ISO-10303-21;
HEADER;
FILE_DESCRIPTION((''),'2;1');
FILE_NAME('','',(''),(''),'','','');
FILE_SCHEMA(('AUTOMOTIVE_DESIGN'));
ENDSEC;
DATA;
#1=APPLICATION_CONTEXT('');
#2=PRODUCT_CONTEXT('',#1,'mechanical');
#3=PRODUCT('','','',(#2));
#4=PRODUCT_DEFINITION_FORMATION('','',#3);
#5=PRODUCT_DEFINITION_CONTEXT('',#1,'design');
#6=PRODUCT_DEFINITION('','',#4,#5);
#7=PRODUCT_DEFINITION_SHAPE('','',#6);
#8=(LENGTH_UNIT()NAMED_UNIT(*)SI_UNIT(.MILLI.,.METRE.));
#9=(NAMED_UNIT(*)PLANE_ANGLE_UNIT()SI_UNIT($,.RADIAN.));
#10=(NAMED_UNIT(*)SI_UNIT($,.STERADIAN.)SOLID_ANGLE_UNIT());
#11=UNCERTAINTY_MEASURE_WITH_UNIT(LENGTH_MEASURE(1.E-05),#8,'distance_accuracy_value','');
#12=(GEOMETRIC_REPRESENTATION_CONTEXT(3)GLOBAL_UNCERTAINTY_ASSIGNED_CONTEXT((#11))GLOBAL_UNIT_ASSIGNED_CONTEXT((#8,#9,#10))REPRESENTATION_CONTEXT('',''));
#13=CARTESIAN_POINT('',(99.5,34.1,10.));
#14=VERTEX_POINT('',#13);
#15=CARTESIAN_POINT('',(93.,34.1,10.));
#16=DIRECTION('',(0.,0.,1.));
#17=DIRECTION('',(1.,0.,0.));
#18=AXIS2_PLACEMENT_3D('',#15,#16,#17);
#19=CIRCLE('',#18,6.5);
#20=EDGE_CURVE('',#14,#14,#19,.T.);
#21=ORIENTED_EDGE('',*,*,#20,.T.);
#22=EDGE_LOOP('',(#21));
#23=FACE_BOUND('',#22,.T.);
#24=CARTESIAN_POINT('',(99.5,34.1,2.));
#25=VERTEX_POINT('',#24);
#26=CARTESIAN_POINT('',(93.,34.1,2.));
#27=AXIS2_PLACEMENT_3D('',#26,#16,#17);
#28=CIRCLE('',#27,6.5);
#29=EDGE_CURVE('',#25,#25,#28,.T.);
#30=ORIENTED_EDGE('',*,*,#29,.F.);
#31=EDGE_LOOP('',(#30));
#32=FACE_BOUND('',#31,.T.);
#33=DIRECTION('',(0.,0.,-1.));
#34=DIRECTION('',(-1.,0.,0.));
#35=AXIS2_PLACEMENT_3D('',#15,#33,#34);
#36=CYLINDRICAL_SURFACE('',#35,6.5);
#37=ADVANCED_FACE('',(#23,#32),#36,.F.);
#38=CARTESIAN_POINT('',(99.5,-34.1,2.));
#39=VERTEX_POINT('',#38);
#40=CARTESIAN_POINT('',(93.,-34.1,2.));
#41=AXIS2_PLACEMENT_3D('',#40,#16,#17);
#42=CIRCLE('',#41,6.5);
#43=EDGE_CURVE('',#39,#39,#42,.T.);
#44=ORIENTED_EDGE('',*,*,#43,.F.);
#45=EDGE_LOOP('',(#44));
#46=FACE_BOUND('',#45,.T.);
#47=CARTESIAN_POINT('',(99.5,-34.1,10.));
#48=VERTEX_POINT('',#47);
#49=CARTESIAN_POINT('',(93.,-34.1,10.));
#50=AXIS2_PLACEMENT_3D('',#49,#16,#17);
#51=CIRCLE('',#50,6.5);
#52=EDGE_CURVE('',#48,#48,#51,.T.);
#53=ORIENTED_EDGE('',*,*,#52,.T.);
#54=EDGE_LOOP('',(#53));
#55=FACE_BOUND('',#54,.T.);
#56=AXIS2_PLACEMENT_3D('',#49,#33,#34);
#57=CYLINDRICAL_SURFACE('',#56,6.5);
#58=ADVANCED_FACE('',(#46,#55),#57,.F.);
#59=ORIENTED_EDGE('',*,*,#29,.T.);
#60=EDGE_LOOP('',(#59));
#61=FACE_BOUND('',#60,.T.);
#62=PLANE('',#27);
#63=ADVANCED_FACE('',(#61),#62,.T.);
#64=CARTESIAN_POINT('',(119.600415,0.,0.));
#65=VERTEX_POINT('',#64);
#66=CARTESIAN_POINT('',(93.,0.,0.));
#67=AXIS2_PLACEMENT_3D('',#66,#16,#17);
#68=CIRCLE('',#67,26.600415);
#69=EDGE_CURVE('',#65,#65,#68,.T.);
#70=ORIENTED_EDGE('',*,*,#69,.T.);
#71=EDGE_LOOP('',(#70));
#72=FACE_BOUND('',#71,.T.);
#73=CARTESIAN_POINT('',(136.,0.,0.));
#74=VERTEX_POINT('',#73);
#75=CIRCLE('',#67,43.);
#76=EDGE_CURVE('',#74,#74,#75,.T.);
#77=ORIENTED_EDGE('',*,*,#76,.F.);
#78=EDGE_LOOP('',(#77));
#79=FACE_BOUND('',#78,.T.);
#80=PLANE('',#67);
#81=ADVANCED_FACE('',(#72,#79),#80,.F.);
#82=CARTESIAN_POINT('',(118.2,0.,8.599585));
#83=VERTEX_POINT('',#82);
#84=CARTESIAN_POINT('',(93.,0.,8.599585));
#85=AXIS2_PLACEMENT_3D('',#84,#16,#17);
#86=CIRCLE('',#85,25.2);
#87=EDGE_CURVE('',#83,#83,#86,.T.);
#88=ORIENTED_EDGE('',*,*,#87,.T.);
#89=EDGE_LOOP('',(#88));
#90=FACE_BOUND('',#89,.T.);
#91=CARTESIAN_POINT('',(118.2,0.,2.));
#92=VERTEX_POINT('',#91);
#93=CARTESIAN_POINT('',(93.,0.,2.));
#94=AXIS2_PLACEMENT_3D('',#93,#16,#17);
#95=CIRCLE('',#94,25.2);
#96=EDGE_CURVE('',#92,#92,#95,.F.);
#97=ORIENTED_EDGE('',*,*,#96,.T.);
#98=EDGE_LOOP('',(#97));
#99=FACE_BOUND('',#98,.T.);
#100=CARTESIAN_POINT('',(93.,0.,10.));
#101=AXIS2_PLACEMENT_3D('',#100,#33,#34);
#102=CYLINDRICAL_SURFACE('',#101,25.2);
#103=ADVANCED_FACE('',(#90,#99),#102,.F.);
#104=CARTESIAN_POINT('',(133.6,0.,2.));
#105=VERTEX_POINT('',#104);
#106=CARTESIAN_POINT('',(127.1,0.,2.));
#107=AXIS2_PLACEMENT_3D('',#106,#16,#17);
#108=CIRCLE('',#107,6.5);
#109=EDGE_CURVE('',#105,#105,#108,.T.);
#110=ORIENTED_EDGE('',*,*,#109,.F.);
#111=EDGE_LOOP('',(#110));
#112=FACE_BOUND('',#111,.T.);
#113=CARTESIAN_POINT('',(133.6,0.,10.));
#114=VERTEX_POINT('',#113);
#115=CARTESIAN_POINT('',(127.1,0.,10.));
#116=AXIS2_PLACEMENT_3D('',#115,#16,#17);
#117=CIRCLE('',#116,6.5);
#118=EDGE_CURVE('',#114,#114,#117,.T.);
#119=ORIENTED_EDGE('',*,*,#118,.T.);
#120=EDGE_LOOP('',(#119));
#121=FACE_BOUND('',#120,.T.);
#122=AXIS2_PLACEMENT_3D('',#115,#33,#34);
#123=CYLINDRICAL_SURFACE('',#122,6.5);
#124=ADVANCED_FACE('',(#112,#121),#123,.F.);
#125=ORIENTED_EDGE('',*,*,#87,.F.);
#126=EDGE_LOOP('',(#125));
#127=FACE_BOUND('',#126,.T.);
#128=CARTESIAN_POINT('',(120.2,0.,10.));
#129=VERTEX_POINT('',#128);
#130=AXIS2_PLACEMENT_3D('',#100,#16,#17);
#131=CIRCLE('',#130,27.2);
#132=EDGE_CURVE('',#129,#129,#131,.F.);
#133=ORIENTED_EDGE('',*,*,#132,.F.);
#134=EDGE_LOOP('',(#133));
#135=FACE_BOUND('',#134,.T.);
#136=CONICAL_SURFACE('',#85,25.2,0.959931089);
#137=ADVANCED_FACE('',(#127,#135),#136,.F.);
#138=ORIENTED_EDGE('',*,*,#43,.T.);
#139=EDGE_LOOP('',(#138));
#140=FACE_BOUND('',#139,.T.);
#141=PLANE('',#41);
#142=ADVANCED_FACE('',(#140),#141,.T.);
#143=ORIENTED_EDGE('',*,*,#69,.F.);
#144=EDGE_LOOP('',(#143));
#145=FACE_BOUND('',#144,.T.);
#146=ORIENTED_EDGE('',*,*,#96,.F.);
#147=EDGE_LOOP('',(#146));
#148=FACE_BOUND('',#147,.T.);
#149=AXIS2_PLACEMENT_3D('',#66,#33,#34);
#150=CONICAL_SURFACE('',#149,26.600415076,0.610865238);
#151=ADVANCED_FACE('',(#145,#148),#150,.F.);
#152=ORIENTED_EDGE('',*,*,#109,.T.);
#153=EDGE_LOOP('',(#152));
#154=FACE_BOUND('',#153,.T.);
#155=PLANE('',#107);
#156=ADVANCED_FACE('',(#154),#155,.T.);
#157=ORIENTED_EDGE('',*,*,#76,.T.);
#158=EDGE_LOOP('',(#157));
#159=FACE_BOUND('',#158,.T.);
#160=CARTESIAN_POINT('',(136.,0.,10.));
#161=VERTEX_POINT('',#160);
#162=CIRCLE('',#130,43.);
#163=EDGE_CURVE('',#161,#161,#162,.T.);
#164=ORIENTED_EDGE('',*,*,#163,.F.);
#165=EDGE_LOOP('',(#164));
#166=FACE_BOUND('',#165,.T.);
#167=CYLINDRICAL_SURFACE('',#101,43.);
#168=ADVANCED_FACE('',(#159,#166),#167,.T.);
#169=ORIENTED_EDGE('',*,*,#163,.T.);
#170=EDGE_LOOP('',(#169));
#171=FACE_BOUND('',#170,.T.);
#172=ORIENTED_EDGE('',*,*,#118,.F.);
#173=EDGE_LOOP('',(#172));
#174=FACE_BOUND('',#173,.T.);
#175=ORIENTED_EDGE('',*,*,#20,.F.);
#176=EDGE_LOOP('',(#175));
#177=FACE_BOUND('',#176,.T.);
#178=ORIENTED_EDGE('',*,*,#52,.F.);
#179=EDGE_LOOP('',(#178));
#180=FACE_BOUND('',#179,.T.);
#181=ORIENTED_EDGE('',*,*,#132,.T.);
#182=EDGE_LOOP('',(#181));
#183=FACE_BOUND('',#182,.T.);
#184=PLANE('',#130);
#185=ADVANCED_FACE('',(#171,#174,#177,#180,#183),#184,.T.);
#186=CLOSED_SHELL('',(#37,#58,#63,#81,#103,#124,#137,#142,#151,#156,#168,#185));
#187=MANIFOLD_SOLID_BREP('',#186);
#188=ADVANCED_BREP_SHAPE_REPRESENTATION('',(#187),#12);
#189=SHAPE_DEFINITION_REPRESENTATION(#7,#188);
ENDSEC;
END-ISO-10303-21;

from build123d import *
from OCP.BRepFilletAPI import BRepFilletAPI_MakeChamfer

# Parameters (mm, degrees)
SKETCH1_R           = 43
SKETCH1_R_2         = 25.2
BOSS_EXTRUDE1_DEPTH = 10
SKETCH2_R           = 6.5
CUT_EXTRUDE1_DEPTH  = 143.860071399
CHAMFER1_SIZE       = 2
CHAMFER1_SIZE2      = 1.400415076


with BuildPart() as part:
    # Sketch1 → Boss-Extrude1 (new body)
    with BuildSketch(Plane.XY):
        with Locations((93, 0)):
            Circle(SKETCH1_R)
        with Locations((93, 0)):
            Circle(SKETCH1_R_2, mode=Mode.SUBTRACT)
    extrude(amount=BOSS_EXTRUDE1_DEPTH)

    # Sketch2 → Cut-Extrude1 (cut, through all)
    with BuildSketch(Plane.XY.offset(2)):
        with Locations((93, 34.1)):
            Circle(SKETCH2_R)
        with Locations((127.1, 0)):
            Circle(SKETCH2_R)
        with Locations((93, -34.1)):
            Circle(SKETCH2_R)
    extrude(amount=CUT_EXTRUDE1_DEPTH, mode=Mode.SUBTRACT)

    # Chamfer1: one chamfer whose edges measure the first distance from different faces: ONE call of the kernel's chamfer builder (chamfer() names one face for all edges)
    chamfer1_edges_1 = [part.edges().sort_by_distance(p)[0] for p in [
        (67.8, 0, 0),
    ]]
    chamfer1_side_1 = [part.faces().sort_by_distance(p)[0] for p in [
        (67.8, 0, 5),
    ]]
    chamfer1_edges_2 = [part.edges().sort_by_distance(p)[0] for p in [
        (67.8, 0, 10),
    ]]
    chamfer1_side_2 = [part.faces().sort_by_distance(p)[0] for p in [
        (51.216223664, 0, 10),
    ]]
    chamfer1 = BRepFilletAPI_MakeChamfer(part.part.solid().wrapped)
    for e in chamfer1_edges_1:
        chamfer1.Add(CHAMFER1_SIZE, CHAMFER1_SIZE2, e.wrapped, chamfer1_side_1[0].wrapped)  # the first distance lies on this face
    for e in chamfer1_edges_2:
        chamfer1.Add(CHAMFER1_SIZE, CHAMFER1_SIZE2, e.wrapped, chamfer1_side_2[0].wrapped)  # the first distance lies on this face
    add(Compound.cast(chamfer1.Shape()), mode=Mode.REPLACE)


solid = part.part
